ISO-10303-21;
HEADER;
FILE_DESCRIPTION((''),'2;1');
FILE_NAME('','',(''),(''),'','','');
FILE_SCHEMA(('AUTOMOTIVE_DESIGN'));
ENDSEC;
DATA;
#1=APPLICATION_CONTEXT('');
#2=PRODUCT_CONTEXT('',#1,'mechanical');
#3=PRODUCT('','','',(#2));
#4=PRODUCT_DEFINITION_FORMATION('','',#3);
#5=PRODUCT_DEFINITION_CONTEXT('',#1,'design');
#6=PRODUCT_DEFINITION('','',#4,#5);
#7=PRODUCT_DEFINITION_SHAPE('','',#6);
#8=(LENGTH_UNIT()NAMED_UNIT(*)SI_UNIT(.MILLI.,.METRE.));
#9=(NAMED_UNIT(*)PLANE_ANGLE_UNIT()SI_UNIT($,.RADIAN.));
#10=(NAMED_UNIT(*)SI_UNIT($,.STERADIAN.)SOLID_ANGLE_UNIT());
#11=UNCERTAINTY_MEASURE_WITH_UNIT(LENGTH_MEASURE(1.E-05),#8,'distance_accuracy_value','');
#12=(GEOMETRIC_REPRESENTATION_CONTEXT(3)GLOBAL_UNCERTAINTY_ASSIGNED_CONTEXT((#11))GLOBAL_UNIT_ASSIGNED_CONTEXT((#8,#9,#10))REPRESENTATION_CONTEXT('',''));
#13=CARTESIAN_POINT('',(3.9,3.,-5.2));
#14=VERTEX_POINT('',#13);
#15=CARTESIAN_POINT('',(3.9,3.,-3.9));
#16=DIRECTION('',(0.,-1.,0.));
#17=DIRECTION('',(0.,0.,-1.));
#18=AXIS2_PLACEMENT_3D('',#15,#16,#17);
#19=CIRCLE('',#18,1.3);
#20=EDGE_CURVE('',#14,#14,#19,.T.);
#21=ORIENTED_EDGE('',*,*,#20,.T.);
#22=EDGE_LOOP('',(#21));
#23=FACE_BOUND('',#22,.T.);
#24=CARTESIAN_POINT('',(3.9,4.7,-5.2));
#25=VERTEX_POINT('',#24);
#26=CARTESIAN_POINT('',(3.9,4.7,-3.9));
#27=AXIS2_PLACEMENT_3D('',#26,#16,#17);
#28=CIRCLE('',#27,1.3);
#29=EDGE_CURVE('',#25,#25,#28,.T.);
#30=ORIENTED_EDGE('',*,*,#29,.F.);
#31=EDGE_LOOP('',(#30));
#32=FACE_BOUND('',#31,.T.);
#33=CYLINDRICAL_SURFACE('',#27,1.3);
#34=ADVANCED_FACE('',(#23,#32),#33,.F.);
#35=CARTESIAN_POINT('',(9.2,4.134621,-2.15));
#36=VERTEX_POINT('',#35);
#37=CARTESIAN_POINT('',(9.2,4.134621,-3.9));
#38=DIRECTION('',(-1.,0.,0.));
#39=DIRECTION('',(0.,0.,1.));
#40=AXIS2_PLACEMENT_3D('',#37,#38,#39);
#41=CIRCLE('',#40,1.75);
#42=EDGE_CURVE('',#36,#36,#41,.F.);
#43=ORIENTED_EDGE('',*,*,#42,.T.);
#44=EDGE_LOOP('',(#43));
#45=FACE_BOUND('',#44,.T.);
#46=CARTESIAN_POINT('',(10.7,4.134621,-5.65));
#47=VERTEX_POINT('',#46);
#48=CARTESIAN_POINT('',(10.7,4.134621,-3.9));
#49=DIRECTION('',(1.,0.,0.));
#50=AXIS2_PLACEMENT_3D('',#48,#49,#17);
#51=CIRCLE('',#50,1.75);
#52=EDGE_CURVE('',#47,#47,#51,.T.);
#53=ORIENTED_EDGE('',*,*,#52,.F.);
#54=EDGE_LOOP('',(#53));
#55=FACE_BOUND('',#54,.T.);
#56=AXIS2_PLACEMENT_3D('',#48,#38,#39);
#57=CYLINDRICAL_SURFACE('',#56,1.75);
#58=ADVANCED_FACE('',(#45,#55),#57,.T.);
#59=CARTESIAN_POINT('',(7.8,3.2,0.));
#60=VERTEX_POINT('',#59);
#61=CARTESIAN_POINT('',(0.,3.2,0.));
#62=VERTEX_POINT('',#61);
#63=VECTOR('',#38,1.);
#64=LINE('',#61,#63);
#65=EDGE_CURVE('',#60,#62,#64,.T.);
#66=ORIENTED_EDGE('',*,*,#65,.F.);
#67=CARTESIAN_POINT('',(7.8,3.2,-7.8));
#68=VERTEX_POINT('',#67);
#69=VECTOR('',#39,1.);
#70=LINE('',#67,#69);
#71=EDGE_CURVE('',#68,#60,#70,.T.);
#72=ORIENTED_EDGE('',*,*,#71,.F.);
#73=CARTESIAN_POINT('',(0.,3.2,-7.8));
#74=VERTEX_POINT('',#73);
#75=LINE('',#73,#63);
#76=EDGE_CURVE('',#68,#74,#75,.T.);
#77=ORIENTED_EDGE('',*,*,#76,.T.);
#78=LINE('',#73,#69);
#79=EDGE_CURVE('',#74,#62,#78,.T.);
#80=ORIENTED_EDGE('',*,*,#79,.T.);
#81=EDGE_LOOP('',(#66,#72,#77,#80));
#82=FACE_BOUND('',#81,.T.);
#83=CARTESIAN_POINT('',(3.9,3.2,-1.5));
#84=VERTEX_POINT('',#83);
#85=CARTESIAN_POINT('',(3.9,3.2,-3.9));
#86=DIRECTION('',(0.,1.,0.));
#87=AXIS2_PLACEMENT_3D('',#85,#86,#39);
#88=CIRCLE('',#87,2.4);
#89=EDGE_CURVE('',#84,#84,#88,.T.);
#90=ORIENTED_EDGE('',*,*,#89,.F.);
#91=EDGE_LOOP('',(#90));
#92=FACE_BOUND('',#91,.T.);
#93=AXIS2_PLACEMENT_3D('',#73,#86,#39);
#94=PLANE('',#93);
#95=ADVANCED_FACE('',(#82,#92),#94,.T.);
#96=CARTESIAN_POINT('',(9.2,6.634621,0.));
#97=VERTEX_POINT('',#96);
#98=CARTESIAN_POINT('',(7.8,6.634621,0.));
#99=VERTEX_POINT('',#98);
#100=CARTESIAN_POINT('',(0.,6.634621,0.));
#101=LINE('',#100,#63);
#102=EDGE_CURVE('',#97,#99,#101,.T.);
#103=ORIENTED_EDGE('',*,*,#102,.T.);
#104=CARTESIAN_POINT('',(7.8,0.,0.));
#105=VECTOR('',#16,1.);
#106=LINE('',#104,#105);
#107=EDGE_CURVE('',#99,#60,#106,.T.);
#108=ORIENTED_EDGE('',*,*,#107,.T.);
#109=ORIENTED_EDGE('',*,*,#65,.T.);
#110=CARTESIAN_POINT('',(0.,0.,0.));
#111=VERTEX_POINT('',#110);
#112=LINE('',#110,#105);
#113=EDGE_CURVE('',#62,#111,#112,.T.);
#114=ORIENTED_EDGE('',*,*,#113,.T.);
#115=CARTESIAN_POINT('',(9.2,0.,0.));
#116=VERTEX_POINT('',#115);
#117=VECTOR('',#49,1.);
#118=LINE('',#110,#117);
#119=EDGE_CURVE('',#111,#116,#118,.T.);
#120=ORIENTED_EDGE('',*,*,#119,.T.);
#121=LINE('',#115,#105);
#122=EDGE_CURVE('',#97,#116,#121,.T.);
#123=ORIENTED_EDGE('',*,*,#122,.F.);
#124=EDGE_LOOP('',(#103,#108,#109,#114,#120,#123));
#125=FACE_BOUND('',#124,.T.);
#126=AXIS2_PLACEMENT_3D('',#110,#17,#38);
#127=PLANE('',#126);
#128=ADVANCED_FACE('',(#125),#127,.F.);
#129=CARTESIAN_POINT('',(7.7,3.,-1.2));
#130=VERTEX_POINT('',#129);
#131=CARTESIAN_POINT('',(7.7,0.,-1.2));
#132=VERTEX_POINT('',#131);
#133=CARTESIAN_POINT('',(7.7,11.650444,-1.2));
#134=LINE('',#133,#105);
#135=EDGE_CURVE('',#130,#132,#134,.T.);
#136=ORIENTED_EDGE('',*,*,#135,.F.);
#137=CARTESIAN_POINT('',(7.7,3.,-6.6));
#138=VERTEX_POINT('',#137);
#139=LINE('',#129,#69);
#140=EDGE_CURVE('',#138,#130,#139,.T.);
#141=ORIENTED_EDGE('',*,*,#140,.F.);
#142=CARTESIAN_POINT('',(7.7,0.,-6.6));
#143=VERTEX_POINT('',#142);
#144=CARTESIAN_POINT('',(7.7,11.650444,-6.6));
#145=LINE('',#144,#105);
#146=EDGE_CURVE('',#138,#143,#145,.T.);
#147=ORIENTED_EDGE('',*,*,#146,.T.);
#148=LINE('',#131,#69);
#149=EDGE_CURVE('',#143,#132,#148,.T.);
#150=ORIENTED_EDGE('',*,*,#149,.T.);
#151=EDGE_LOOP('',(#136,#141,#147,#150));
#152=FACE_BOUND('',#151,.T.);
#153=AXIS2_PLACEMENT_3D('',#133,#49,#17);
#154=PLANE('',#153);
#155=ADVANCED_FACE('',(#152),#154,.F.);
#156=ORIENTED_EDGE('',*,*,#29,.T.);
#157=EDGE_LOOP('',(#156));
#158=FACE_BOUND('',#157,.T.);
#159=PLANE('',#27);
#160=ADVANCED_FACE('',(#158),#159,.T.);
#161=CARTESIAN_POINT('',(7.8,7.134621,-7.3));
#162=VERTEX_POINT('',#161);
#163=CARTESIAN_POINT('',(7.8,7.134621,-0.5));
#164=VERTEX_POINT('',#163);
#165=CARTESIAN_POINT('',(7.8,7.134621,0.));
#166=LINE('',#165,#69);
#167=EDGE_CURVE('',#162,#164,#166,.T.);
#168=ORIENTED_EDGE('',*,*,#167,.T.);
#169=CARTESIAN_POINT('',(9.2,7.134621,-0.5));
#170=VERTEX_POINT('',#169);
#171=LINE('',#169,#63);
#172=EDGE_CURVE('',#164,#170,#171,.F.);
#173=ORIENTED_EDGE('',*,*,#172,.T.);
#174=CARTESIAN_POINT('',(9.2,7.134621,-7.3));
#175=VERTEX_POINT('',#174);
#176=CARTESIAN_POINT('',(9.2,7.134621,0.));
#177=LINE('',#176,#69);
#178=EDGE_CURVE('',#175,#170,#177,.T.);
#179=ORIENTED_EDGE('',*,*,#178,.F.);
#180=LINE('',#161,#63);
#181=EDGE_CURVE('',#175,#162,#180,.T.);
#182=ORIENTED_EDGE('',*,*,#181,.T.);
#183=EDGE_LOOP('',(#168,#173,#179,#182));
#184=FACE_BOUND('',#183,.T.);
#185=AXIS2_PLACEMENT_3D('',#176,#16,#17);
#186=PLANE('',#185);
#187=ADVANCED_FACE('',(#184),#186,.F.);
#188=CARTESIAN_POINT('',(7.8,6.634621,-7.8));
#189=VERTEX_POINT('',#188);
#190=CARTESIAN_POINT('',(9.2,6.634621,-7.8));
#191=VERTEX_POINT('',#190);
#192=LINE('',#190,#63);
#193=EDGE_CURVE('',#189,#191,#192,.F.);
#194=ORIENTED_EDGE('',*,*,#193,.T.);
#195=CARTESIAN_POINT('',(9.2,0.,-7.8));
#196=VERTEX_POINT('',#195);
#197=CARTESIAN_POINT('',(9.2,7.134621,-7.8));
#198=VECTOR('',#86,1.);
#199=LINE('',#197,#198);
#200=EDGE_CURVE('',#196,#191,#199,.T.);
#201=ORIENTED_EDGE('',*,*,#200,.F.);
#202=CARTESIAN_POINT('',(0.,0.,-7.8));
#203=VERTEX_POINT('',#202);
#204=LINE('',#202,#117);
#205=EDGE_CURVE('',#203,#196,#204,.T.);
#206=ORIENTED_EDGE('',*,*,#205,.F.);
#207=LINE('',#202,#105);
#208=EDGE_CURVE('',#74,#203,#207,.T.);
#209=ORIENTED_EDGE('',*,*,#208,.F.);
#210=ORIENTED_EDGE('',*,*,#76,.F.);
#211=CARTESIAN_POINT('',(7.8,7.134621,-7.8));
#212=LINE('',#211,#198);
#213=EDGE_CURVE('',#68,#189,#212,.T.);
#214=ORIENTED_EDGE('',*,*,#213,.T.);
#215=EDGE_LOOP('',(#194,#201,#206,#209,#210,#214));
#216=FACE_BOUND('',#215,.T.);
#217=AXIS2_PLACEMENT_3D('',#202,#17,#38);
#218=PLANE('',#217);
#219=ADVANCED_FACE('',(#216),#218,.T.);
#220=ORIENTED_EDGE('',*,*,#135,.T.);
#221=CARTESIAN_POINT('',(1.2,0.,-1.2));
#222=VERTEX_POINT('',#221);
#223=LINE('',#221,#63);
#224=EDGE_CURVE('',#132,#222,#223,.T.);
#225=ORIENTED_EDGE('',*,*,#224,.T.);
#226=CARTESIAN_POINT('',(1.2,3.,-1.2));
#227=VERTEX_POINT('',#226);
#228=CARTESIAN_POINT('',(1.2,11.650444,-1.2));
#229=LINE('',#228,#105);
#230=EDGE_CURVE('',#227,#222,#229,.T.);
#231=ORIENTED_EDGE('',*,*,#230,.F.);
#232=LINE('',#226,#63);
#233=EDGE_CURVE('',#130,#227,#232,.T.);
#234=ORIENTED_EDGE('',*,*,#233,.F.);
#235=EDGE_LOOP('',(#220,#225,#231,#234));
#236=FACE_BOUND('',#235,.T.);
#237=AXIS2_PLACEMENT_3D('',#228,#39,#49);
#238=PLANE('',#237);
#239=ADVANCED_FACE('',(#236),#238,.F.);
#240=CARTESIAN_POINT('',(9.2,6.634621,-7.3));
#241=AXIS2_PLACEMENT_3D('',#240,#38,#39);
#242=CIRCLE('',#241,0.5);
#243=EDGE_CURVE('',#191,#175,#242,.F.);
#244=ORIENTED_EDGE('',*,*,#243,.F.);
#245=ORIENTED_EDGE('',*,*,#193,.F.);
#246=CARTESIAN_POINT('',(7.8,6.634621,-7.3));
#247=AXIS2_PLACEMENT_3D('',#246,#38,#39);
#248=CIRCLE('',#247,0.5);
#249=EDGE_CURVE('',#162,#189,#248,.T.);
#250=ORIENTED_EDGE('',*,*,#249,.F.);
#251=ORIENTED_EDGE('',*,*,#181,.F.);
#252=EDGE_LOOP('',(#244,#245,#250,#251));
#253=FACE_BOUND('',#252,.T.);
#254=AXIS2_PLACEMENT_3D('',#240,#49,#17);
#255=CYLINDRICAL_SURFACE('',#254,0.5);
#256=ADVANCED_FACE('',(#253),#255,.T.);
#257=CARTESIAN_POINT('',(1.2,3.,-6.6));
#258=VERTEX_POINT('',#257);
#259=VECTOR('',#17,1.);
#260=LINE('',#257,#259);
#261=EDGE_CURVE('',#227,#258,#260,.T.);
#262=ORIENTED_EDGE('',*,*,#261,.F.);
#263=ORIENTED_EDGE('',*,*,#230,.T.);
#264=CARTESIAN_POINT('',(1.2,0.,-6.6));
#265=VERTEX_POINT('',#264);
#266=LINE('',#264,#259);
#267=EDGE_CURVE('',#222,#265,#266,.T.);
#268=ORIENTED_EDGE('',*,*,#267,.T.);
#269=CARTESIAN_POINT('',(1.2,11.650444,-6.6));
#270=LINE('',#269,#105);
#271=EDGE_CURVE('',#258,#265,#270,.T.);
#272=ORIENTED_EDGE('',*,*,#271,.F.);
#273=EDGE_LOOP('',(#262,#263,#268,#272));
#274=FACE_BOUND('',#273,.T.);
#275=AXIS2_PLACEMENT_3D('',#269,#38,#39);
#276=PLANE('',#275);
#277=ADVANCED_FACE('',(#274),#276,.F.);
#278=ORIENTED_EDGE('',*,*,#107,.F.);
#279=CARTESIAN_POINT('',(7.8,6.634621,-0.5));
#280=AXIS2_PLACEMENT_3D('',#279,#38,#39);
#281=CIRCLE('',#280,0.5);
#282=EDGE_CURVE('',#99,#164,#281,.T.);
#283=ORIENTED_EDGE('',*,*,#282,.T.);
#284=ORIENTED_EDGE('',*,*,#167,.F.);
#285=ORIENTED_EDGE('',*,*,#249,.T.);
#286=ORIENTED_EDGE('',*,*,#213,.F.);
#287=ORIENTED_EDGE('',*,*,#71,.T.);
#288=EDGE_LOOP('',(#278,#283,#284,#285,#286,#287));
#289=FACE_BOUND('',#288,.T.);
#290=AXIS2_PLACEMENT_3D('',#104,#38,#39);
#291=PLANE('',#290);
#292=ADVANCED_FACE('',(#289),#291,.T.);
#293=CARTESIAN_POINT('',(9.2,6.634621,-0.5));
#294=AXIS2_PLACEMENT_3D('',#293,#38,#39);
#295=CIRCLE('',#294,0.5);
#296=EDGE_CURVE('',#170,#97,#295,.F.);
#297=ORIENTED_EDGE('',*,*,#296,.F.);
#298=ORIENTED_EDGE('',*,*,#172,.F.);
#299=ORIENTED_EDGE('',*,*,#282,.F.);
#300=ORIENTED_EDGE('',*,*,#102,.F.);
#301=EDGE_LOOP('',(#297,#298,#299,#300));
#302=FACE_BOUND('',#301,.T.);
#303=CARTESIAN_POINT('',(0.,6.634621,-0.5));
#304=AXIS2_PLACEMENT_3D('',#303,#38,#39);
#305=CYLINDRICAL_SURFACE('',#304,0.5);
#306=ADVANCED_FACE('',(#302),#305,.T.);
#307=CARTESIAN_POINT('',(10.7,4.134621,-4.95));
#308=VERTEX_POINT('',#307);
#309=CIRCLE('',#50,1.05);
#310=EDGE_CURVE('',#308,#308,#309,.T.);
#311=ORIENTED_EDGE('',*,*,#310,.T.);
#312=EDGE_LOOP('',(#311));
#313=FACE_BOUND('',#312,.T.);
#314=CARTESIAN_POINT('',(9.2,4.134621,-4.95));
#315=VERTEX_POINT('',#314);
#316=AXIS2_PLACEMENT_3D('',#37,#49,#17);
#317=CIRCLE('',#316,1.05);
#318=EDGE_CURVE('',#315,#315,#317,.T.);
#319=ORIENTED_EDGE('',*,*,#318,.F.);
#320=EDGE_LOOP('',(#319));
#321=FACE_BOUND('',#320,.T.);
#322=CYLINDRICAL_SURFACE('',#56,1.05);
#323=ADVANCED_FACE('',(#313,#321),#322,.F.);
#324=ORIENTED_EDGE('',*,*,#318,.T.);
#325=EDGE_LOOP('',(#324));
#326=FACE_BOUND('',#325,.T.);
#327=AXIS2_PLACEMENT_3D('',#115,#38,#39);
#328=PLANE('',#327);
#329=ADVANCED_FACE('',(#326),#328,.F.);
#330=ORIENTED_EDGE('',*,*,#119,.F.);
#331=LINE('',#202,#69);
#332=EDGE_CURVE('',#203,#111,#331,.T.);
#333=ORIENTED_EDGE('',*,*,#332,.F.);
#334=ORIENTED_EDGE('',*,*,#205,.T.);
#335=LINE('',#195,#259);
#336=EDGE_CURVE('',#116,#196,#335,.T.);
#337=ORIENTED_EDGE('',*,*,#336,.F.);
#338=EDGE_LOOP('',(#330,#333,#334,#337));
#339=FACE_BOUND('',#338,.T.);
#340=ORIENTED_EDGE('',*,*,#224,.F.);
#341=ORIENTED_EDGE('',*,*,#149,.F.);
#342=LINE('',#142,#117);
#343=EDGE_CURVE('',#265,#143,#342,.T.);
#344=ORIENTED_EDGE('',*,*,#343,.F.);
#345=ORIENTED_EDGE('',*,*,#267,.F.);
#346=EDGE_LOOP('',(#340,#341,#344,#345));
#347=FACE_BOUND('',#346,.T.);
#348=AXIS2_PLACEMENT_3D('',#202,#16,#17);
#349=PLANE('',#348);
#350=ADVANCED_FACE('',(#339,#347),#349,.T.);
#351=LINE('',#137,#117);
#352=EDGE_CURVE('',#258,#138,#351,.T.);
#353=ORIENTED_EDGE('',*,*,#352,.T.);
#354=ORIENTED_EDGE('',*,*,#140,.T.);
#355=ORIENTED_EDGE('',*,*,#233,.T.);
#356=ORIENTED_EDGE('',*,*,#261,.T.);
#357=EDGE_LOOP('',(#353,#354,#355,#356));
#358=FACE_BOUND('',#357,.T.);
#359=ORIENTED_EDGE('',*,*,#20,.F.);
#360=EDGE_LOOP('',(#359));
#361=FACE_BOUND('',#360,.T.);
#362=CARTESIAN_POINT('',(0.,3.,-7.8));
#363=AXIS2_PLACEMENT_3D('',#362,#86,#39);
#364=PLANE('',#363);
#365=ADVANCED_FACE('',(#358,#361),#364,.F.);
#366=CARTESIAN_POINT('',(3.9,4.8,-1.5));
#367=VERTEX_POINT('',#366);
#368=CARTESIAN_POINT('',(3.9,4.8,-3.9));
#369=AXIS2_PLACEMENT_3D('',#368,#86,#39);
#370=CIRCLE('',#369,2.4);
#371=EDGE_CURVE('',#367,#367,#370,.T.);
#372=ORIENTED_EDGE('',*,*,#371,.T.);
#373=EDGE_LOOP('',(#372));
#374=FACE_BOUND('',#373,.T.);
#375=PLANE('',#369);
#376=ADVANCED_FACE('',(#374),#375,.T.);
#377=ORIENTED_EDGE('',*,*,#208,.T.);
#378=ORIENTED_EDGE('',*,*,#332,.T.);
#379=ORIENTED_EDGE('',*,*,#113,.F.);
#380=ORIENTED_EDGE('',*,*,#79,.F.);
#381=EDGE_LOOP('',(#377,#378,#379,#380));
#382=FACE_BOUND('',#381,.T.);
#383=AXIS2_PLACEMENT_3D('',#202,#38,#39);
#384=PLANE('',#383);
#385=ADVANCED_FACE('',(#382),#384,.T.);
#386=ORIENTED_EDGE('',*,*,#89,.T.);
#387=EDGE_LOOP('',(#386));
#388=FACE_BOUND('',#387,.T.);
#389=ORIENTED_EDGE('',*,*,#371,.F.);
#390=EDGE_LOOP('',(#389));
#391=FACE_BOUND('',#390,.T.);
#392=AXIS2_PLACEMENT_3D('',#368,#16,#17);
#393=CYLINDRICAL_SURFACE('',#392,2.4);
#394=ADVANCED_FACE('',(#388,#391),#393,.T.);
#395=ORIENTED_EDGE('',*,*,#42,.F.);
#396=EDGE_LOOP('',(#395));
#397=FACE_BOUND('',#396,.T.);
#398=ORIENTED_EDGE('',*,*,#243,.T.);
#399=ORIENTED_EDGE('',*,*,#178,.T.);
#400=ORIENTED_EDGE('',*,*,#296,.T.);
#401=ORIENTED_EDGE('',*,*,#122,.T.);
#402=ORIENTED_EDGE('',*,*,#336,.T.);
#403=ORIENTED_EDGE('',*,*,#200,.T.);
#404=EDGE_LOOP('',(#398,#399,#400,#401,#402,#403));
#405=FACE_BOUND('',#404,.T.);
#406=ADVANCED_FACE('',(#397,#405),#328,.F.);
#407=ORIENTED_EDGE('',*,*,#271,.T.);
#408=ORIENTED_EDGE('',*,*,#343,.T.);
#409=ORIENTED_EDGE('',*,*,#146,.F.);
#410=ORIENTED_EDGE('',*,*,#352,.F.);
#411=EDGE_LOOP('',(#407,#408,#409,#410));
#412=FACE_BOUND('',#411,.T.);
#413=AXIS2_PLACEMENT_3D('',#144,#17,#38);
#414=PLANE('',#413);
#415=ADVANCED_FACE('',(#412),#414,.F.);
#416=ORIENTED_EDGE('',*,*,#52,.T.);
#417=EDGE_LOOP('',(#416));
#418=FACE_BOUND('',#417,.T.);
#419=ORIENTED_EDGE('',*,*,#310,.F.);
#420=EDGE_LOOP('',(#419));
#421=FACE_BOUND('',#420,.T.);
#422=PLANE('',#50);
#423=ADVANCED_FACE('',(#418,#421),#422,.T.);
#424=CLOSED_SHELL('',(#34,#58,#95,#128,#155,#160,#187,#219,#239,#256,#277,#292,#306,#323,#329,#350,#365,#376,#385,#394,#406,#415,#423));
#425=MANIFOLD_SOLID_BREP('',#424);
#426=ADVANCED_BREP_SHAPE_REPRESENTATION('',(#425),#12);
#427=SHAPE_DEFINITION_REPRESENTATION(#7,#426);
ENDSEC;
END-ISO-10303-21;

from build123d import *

# Parameters (mm, degrees)
SKETCH1_W           = 7.8
SKETCH1_H           = 3.2
BOSS_EXTRUDE1_DEPTH = 7.8
SKETCH2_R           = 2.4
BOSS_EXTRUDE2_DEPTH = 1.6
SKETCH3_W           = 6.5
SKETCH3_H           = 5.4
CUT_EXTRUDE1_DEPTH  = 3
SKETCH4_R           = 1.3
CUT_EXTRUDE2_DEPTH  = 1.7
SKETCH5_W           = 7.8
SKETCH5_H           = 7.134621369
BOSS_EXTRUDE3_DEPTH = 1.4
FILLET1_R           = 0.5
SKETCH6_R           = 1.75
SKETCH6_R_2         = 1.05
BOSS_EXTRUDE4_DEPTH = 1.5


with BuildPart() as part:
    # Sketch1 → Boss-Extrude1 (new body)
    with BuildSketch(Plane.XY):
        with Locations((3.9, 1.6)):
            Rectangle(SKETCH1_W, SKETCH1_H)
    extrude(amount=-BOSS_EXTRUDE1_DEPTH)

    # Sketch2 → Boss-Extrude2 (add)
    with BuildSketch(Plane(origin=(0, 3.2, 0), x_dir=(1, 0, 0), z_dir=(0, 1, 0))):
        with Locations(Location((3.9, 3.9, 0), (0, 0, 270))):
            Circle(SKETCH2_R)
    extrude(amount=BOSS_EXTRUDE2_DEPTH)

    # Sketch3 → Cut-Extrude1 (cut)
    with BuildSketch(Plane.XZ):
        with Locations((4.45, -3.9)):
            Rectangle(SKETCH3_W, SKETCH3_H)
    extrude(amount=-CUT_EXTRUDE1_DEPTH, mode=Mode.SUBTRACT)

    # Sketch4 → Cut-Extrude2 (cut)
    with BuildSketch(Plane.XZ.offset(-3)):
        with Locations(Location((3.9, -3.9, 0), (0, 0, 270))):
            Circle(SKETCH4_R)
    extrude(amount=-CUT_EXTRUDE2_DEPTH, mode=Mode.SUBTRACT)

    # Sketch5 → Boss-Extrude3 (add)
    with BuildSketch(Plane(origin=(7.8, 0, 0), x_dir=(0, 0, -1), z_dir=(1, 0, 0))):
        with Locations((3.9, 3.567310685)):
            Rectangle(SKETCH5_W, SKETCH5_H)
    extrude(amount=BOSS_EXTRUDE3_DEPTH)

    # Fillet1
    fillet1_edges = [part.edges().sort_by_distance(p)[0] for p in [
        (8.5, 7.134621369, -7.8),
        (8.5, 7.134621369, 0),
    ]]
    fillet(fillet1_edges, radius=FILLET1_R)

    # Sketch6 → Boss-Extrude4 (add)
    with BuildSketch(Plane(origin=(9.2, 0, 0), x_dir=(0, 0, -1), z_dir=(1, 0, 0))):
        with Locations(Location((3.9, 4.134621369, 0), (0, 0, 180))):
            Circle(SKETCH6_R)
        with Locations((3.9, 4.134621369)):
            Circle(SKETCH6_R_2, mode=Mode.SUBTRACT)
    extrude(amount=BOSS_EXTRUDE4_DEPTH)


solid = part.part
